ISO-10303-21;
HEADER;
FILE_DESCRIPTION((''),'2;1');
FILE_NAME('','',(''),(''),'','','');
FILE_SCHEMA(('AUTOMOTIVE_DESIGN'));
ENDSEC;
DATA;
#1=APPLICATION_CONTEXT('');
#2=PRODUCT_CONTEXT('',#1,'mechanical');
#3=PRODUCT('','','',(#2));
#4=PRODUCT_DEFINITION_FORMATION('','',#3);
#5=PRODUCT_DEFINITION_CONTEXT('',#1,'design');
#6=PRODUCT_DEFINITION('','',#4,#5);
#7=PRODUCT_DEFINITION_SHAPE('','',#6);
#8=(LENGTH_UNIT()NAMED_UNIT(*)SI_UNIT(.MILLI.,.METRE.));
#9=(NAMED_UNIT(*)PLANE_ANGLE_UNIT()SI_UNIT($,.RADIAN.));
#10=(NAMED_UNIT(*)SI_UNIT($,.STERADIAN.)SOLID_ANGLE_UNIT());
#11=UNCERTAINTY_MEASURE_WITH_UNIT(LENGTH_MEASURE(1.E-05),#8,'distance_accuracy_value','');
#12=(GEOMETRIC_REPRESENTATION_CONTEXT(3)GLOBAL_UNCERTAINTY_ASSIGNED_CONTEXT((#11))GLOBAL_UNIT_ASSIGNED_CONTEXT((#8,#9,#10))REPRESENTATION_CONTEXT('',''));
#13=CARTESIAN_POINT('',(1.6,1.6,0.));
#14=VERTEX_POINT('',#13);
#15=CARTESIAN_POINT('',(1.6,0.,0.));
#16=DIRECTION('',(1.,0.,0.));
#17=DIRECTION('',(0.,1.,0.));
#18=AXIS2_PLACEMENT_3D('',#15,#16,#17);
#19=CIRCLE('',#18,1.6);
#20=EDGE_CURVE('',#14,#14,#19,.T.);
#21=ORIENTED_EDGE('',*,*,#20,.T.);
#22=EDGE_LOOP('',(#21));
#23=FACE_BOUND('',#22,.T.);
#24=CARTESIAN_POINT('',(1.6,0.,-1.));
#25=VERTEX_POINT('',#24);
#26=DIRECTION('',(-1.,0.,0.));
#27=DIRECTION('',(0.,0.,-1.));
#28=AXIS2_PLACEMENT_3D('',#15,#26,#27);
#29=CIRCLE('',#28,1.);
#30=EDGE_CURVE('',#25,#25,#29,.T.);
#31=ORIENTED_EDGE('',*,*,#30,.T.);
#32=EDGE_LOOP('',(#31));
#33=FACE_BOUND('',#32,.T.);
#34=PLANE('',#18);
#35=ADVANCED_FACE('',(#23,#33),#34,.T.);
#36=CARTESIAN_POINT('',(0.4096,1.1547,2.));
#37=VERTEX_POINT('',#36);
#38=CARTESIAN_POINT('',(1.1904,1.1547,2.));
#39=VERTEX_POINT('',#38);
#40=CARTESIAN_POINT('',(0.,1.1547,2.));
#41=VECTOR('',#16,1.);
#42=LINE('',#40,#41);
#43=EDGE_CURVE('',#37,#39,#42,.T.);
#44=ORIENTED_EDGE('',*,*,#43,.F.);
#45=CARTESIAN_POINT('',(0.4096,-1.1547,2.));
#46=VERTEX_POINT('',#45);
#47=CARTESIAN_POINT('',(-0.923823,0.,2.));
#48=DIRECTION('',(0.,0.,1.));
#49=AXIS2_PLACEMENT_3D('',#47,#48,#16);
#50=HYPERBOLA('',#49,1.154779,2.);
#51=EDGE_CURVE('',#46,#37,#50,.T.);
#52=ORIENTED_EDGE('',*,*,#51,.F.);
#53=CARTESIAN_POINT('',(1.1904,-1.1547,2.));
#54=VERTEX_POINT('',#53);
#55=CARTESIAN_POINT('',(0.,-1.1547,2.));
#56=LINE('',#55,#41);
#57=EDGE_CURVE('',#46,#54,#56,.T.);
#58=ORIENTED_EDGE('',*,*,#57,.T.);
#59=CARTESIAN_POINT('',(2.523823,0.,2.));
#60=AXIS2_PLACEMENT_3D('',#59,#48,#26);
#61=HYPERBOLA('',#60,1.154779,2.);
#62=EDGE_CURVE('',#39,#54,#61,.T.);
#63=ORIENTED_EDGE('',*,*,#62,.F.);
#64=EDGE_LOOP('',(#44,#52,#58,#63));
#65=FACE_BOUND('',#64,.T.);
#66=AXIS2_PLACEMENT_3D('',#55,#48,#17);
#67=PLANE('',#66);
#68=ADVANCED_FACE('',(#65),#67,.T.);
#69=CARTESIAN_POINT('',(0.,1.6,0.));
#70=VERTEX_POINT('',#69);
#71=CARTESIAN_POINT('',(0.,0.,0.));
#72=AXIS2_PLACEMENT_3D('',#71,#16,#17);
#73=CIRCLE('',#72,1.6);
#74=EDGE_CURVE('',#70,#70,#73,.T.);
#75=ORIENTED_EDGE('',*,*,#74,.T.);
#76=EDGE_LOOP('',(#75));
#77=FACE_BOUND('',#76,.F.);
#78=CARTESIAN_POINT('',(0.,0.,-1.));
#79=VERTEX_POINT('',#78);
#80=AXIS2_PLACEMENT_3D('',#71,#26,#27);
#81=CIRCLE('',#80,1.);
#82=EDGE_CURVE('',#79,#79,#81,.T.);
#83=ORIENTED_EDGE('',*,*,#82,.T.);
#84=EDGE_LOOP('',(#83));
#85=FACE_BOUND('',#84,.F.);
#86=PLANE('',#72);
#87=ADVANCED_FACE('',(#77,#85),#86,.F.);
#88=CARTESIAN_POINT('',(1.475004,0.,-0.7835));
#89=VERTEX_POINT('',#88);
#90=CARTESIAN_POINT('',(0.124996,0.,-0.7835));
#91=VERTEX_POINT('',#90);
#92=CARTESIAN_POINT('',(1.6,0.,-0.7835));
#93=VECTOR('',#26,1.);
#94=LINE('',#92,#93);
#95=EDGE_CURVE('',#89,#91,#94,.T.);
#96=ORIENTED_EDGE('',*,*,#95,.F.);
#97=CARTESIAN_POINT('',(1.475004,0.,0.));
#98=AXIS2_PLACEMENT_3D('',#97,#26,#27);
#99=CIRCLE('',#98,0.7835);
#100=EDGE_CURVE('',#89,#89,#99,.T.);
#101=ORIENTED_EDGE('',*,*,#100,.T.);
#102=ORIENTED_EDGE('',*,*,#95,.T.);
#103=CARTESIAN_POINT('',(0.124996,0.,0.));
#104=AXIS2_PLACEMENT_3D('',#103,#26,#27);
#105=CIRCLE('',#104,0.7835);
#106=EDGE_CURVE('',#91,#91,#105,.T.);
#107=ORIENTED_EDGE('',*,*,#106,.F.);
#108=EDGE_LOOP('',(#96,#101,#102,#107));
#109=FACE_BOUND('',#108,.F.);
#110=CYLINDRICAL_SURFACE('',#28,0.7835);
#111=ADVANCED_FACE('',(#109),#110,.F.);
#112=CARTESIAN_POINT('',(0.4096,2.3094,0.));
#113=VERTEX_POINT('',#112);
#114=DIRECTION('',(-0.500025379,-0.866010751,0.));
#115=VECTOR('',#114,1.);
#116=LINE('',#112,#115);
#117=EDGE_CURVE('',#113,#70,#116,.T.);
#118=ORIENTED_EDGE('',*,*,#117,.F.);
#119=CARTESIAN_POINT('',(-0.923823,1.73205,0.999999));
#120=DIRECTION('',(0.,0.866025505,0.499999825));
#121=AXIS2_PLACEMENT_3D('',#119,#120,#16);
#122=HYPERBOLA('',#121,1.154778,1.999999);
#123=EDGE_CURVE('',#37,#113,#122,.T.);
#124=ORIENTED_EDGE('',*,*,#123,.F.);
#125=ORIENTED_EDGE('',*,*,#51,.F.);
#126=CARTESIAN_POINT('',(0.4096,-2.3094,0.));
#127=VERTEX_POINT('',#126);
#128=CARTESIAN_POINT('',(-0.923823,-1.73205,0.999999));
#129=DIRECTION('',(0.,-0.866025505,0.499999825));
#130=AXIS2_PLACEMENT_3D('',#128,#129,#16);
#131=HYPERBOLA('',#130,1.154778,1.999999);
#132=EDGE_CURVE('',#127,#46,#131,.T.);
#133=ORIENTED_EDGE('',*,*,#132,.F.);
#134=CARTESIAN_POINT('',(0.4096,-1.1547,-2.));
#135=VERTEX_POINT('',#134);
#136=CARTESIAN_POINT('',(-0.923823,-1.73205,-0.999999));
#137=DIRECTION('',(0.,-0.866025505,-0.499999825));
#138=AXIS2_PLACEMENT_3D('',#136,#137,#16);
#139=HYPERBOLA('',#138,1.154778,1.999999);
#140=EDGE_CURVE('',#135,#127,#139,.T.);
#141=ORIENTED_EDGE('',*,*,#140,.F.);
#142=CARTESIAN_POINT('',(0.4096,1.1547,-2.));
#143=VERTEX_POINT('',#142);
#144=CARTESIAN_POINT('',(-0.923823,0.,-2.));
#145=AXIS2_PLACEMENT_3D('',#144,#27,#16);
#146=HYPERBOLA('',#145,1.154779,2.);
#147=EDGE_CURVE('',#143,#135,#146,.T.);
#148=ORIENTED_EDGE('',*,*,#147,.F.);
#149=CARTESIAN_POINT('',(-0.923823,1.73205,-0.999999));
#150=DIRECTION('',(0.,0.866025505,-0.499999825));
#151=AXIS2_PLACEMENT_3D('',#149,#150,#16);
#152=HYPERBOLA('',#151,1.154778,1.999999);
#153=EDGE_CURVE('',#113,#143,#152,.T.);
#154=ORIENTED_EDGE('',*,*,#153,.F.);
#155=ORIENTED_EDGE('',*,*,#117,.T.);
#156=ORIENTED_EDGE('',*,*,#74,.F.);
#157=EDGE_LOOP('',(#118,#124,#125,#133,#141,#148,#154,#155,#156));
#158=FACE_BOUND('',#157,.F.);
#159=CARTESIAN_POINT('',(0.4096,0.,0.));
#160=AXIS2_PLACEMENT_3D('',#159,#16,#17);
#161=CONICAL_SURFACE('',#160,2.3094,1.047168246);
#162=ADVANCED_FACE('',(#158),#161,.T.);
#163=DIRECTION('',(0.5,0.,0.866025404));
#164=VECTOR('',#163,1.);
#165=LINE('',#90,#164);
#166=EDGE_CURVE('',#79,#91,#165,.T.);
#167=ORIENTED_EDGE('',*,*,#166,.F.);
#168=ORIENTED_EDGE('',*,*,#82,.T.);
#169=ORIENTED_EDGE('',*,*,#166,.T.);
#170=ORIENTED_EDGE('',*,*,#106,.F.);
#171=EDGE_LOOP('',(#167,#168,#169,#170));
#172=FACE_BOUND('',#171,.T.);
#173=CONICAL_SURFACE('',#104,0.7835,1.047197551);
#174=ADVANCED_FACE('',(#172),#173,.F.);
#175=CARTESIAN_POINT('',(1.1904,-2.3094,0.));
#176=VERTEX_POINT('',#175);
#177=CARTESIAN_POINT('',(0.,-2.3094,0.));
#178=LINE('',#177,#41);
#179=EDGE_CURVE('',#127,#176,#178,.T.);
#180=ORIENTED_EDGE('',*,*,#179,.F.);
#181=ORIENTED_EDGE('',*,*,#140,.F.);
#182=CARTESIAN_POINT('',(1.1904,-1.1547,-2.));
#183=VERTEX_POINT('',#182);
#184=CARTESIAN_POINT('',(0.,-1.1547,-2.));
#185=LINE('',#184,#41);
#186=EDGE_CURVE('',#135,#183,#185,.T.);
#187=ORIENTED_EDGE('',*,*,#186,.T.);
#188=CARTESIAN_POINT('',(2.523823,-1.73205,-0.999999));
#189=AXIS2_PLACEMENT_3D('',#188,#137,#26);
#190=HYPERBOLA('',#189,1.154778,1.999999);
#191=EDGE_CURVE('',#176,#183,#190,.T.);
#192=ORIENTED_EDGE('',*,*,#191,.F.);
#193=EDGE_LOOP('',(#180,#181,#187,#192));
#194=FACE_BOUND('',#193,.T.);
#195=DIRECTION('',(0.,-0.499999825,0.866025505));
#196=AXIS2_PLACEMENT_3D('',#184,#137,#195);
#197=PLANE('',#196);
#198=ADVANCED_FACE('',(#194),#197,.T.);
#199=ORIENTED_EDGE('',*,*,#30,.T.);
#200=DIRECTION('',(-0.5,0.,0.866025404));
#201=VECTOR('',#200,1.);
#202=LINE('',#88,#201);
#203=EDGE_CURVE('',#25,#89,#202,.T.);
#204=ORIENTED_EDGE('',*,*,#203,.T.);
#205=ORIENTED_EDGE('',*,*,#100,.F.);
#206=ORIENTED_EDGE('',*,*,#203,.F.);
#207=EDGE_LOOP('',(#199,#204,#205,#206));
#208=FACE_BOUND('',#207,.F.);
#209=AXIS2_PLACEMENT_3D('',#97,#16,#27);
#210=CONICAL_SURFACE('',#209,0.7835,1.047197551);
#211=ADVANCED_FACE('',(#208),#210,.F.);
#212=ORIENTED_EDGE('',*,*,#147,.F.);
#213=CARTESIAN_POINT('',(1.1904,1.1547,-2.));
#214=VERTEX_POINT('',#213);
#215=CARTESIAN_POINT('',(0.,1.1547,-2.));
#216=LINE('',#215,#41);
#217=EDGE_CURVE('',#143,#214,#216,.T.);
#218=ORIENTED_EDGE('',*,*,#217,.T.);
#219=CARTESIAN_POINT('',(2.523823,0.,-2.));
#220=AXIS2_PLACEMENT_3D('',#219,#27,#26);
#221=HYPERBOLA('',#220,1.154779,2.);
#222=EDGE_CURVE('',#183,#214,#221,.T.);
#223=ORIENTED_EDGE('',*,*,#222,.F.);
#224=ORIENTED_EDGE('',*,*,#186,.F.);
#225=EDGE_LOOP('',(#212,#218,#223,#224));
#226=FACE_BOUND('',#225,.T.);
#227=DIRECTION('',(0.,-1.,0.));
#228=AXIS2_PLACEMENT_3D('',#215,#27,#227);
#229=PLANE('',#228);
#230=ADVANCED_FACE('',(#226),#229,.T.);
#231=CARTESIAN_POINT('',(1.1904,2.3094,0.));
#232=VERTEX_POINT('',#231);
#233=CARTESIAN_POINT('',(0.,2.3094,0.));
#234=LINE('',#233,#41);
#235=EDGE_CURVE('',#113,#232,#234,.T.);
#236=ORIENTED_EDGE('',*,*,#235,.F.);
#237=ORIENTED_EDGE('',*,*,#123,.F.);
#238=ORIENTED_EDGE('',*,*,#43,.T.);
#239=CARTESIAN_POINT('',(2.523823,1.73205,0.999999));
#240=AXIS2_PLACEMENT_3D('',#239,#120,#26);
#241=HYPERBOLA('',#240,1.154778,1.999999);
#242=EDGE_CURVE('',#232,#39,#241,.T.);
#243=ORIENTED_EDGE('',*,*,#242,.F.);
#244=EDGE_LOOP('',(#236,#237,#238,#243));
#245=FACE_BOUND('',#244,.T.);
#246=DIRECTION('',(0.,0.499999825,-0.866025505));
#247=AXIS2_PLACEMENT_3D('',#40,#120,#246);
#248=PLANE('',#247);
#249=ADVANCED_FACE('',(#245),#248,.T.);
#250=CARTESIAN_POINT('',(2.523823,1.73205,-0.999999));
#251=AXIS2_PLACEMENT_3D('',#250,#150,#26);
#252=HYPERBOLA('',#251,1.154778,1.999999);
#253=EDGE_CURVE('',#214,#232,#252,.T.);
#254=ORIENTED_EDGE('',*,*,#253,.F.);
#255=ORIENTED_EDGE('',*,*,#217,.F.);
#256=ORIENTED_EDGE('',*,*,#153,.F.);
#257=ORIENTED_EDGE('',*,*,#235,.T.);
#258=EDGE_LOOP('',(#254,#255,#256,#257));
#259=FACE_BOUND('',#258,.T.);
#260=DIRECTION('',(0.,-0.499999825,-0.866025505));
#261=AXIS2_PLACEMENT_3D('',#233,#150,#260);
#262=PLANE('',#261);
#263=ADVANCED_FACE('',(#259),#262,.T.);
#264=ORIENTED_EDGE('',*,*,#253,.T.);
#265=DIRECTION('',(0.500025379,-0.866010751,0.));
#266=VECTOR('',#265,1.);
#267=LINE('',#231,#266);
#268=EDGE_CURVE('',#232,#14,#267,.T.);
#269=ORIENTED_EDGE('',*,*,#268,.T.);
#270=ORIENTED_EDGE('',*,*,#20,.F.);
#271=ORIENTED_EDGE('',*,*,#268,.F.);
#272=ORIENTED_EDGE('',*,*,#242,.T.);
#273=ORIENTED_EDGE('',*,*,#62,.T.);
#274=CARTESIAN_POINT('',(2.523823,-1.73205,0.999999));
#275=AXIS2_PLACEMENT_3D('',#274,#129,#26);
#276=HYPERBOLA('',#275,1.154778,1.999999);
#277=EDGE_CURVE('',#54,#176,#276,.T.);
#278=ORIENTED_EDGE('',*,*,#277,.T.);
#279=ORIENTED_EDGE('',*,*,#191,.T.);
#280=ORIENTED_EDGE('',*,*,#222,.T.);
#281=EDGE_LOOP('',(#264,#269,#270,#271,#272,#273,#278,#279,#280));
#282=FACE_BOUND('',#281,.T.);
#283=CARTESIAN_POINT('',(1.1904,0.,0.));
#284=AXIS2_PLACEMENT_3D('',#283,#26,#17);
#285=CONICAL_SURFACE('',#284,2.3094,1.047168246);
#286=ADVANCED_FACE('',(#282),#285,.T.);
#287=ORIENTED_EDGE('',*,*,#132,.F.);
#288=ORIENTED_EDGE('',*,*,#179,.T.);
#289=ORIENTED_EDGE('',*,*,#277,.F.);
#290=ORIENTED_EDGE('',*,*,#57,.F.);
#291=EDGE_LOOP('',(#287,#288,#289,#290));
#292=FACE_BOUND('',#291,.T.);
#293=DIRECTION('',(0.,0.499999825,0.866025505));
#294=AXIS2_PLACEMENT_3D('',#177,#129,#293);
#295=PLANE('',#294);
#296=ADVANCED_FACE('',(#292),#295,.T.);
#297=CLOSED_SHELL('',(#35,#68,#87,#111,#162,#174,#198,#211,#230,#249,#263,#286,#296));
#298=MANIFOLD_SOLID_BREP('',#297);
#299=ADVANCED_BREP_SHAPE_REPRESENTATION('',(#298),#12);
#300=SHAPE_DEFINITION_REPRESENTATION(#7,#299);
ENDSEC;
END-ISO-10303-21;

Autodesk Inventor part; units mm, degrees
ref_plane "YZ Plane" through (0, 0, 0) normal (1, 0, 0) x (0, 1, 0)
ref_plane "XZ Plane" through (0, 0, 0) normal (0, 1, 0) x (-1, 0, 0)
sketch "Sketch1" plane through (0, 0, 0) normal (1, 0, 0) x (0, 1, 0)
  line L0 (-2.3094, 0) -> (-1.1547, 2)
  line L1 (-1.1547, 2) -> (1.1547, 2)
  line L2 (1.1547, 2) -> (2.3094, 0)
  line L3 (2.3094, 0) -> (1.1547, -2)
  line L4 (1.1547, -2) -> (-1.1547, -2)
  line L5 (-1.1547, -2) -> (-2.3094, 0)
  point P0 (0, 0)
  point P1 (0, 0)
  dimension "d0" = 4.6188
extrude "Body" add sketch "Sketch1" along normal blind 1.6
sketch "Sketch2" plane through (0, 0, 0) normal (0, 0, 1) x (1, 0, 0)
  line L0 (0, 1.1547) -> (0, 2.3094) projected
  line L1 (0, 2.3094) -> (1.6, 2.3094) projected
  line L2 (1.6, 1.1547) -> (1.6, 2.3094) projected
  line L3 (-0.32, 0) -> (1.92, 0) projected
  line L4 (0.4096, 2.3094) -> (0, 1.6)
  line L5 (1.1904, 2.3094) -> (1.6, 1.6)
  dimension "d3" = 30
  dimension "d4" = 30
  dimension "d5" = 3.2
  dimension "d6" = 3.2
revolve "Chamfer1" cut sketch "Sketch2" angle 360 about axis through (-10, 0, 0) along (1, 0, 0)
sketch "Sketch3" plane through (1.6, 0, 0) normal (1, 0, 0) x (0, 0, -1)
  arc A0 (-0.625, -1.0825) -> (0.625, -1.0825) centre (0, 0) ccw projected
hole "Thread" at (1.6, 0, 0) direction (-1, 0, 0) diameter 1.567 end through all thread size "M2x0.4" class "6H" standard "ISO Metric profile"
chamfer "Chamfer2" distance 0.2165 angle 30 1 edges at (1.6, 0, 0.7835) measured on face at (1.6, 1.3104, -0.1591)
chamfer "Chamfer3" distance 0.2165 angle 30 1 edges at (0, 0, 0.7835) measured on face at (0, 1.3104, -0.1591)
ref_plane "Work Plane1" through (-4.7161, 0, 0) normal (0, -0.866, -0.5) x (1, 0, 0)
equation "\"d0\" = 1.1547 * SW"
equation "\"d1\" = KOH"
equation "\"d8\" = -0.5 * GD1 + 0.5 * NND"
equation "\"d40\" = -0.5 * GD1 + 0.5 * NND"
equation "\"d10\" = -0.5 * GD1 + 0.5 * NND"
equation "\"d41\" = -0.5 * GD1 + 0.5 * NND"
equation "\"d3\" = ANG1"
equation "\"d4\" = ANG2"
equation "\"d5\" = SW0"
equation "\"d6\" = SW01"
equation "\"ANG1\" = 30deg"
equation "\"ANG2\" = 30deg"
equation "\"NND\" = 2"
equation "\"KOH\" = 1.6"
equation "\"SW\" = 4"
equation "\"SW0\" = SW01"
equation "\"SW01\" = 3.2"
equation "\"GUL\" = 0.541266 * PTC"
equation "\"THREADDIA\" = 2"
equation "\"TOA\" = 30deg"
equation "\"PTC\" = 0.4"
equation "\"E0\" = 1.155 * SW"
equation "\"GAL\" = 0.541266 * PTC"
equation "\"GD1\" = 1.566987"
properties part number "DIN 934 - M2" material "Steel, Mild"
